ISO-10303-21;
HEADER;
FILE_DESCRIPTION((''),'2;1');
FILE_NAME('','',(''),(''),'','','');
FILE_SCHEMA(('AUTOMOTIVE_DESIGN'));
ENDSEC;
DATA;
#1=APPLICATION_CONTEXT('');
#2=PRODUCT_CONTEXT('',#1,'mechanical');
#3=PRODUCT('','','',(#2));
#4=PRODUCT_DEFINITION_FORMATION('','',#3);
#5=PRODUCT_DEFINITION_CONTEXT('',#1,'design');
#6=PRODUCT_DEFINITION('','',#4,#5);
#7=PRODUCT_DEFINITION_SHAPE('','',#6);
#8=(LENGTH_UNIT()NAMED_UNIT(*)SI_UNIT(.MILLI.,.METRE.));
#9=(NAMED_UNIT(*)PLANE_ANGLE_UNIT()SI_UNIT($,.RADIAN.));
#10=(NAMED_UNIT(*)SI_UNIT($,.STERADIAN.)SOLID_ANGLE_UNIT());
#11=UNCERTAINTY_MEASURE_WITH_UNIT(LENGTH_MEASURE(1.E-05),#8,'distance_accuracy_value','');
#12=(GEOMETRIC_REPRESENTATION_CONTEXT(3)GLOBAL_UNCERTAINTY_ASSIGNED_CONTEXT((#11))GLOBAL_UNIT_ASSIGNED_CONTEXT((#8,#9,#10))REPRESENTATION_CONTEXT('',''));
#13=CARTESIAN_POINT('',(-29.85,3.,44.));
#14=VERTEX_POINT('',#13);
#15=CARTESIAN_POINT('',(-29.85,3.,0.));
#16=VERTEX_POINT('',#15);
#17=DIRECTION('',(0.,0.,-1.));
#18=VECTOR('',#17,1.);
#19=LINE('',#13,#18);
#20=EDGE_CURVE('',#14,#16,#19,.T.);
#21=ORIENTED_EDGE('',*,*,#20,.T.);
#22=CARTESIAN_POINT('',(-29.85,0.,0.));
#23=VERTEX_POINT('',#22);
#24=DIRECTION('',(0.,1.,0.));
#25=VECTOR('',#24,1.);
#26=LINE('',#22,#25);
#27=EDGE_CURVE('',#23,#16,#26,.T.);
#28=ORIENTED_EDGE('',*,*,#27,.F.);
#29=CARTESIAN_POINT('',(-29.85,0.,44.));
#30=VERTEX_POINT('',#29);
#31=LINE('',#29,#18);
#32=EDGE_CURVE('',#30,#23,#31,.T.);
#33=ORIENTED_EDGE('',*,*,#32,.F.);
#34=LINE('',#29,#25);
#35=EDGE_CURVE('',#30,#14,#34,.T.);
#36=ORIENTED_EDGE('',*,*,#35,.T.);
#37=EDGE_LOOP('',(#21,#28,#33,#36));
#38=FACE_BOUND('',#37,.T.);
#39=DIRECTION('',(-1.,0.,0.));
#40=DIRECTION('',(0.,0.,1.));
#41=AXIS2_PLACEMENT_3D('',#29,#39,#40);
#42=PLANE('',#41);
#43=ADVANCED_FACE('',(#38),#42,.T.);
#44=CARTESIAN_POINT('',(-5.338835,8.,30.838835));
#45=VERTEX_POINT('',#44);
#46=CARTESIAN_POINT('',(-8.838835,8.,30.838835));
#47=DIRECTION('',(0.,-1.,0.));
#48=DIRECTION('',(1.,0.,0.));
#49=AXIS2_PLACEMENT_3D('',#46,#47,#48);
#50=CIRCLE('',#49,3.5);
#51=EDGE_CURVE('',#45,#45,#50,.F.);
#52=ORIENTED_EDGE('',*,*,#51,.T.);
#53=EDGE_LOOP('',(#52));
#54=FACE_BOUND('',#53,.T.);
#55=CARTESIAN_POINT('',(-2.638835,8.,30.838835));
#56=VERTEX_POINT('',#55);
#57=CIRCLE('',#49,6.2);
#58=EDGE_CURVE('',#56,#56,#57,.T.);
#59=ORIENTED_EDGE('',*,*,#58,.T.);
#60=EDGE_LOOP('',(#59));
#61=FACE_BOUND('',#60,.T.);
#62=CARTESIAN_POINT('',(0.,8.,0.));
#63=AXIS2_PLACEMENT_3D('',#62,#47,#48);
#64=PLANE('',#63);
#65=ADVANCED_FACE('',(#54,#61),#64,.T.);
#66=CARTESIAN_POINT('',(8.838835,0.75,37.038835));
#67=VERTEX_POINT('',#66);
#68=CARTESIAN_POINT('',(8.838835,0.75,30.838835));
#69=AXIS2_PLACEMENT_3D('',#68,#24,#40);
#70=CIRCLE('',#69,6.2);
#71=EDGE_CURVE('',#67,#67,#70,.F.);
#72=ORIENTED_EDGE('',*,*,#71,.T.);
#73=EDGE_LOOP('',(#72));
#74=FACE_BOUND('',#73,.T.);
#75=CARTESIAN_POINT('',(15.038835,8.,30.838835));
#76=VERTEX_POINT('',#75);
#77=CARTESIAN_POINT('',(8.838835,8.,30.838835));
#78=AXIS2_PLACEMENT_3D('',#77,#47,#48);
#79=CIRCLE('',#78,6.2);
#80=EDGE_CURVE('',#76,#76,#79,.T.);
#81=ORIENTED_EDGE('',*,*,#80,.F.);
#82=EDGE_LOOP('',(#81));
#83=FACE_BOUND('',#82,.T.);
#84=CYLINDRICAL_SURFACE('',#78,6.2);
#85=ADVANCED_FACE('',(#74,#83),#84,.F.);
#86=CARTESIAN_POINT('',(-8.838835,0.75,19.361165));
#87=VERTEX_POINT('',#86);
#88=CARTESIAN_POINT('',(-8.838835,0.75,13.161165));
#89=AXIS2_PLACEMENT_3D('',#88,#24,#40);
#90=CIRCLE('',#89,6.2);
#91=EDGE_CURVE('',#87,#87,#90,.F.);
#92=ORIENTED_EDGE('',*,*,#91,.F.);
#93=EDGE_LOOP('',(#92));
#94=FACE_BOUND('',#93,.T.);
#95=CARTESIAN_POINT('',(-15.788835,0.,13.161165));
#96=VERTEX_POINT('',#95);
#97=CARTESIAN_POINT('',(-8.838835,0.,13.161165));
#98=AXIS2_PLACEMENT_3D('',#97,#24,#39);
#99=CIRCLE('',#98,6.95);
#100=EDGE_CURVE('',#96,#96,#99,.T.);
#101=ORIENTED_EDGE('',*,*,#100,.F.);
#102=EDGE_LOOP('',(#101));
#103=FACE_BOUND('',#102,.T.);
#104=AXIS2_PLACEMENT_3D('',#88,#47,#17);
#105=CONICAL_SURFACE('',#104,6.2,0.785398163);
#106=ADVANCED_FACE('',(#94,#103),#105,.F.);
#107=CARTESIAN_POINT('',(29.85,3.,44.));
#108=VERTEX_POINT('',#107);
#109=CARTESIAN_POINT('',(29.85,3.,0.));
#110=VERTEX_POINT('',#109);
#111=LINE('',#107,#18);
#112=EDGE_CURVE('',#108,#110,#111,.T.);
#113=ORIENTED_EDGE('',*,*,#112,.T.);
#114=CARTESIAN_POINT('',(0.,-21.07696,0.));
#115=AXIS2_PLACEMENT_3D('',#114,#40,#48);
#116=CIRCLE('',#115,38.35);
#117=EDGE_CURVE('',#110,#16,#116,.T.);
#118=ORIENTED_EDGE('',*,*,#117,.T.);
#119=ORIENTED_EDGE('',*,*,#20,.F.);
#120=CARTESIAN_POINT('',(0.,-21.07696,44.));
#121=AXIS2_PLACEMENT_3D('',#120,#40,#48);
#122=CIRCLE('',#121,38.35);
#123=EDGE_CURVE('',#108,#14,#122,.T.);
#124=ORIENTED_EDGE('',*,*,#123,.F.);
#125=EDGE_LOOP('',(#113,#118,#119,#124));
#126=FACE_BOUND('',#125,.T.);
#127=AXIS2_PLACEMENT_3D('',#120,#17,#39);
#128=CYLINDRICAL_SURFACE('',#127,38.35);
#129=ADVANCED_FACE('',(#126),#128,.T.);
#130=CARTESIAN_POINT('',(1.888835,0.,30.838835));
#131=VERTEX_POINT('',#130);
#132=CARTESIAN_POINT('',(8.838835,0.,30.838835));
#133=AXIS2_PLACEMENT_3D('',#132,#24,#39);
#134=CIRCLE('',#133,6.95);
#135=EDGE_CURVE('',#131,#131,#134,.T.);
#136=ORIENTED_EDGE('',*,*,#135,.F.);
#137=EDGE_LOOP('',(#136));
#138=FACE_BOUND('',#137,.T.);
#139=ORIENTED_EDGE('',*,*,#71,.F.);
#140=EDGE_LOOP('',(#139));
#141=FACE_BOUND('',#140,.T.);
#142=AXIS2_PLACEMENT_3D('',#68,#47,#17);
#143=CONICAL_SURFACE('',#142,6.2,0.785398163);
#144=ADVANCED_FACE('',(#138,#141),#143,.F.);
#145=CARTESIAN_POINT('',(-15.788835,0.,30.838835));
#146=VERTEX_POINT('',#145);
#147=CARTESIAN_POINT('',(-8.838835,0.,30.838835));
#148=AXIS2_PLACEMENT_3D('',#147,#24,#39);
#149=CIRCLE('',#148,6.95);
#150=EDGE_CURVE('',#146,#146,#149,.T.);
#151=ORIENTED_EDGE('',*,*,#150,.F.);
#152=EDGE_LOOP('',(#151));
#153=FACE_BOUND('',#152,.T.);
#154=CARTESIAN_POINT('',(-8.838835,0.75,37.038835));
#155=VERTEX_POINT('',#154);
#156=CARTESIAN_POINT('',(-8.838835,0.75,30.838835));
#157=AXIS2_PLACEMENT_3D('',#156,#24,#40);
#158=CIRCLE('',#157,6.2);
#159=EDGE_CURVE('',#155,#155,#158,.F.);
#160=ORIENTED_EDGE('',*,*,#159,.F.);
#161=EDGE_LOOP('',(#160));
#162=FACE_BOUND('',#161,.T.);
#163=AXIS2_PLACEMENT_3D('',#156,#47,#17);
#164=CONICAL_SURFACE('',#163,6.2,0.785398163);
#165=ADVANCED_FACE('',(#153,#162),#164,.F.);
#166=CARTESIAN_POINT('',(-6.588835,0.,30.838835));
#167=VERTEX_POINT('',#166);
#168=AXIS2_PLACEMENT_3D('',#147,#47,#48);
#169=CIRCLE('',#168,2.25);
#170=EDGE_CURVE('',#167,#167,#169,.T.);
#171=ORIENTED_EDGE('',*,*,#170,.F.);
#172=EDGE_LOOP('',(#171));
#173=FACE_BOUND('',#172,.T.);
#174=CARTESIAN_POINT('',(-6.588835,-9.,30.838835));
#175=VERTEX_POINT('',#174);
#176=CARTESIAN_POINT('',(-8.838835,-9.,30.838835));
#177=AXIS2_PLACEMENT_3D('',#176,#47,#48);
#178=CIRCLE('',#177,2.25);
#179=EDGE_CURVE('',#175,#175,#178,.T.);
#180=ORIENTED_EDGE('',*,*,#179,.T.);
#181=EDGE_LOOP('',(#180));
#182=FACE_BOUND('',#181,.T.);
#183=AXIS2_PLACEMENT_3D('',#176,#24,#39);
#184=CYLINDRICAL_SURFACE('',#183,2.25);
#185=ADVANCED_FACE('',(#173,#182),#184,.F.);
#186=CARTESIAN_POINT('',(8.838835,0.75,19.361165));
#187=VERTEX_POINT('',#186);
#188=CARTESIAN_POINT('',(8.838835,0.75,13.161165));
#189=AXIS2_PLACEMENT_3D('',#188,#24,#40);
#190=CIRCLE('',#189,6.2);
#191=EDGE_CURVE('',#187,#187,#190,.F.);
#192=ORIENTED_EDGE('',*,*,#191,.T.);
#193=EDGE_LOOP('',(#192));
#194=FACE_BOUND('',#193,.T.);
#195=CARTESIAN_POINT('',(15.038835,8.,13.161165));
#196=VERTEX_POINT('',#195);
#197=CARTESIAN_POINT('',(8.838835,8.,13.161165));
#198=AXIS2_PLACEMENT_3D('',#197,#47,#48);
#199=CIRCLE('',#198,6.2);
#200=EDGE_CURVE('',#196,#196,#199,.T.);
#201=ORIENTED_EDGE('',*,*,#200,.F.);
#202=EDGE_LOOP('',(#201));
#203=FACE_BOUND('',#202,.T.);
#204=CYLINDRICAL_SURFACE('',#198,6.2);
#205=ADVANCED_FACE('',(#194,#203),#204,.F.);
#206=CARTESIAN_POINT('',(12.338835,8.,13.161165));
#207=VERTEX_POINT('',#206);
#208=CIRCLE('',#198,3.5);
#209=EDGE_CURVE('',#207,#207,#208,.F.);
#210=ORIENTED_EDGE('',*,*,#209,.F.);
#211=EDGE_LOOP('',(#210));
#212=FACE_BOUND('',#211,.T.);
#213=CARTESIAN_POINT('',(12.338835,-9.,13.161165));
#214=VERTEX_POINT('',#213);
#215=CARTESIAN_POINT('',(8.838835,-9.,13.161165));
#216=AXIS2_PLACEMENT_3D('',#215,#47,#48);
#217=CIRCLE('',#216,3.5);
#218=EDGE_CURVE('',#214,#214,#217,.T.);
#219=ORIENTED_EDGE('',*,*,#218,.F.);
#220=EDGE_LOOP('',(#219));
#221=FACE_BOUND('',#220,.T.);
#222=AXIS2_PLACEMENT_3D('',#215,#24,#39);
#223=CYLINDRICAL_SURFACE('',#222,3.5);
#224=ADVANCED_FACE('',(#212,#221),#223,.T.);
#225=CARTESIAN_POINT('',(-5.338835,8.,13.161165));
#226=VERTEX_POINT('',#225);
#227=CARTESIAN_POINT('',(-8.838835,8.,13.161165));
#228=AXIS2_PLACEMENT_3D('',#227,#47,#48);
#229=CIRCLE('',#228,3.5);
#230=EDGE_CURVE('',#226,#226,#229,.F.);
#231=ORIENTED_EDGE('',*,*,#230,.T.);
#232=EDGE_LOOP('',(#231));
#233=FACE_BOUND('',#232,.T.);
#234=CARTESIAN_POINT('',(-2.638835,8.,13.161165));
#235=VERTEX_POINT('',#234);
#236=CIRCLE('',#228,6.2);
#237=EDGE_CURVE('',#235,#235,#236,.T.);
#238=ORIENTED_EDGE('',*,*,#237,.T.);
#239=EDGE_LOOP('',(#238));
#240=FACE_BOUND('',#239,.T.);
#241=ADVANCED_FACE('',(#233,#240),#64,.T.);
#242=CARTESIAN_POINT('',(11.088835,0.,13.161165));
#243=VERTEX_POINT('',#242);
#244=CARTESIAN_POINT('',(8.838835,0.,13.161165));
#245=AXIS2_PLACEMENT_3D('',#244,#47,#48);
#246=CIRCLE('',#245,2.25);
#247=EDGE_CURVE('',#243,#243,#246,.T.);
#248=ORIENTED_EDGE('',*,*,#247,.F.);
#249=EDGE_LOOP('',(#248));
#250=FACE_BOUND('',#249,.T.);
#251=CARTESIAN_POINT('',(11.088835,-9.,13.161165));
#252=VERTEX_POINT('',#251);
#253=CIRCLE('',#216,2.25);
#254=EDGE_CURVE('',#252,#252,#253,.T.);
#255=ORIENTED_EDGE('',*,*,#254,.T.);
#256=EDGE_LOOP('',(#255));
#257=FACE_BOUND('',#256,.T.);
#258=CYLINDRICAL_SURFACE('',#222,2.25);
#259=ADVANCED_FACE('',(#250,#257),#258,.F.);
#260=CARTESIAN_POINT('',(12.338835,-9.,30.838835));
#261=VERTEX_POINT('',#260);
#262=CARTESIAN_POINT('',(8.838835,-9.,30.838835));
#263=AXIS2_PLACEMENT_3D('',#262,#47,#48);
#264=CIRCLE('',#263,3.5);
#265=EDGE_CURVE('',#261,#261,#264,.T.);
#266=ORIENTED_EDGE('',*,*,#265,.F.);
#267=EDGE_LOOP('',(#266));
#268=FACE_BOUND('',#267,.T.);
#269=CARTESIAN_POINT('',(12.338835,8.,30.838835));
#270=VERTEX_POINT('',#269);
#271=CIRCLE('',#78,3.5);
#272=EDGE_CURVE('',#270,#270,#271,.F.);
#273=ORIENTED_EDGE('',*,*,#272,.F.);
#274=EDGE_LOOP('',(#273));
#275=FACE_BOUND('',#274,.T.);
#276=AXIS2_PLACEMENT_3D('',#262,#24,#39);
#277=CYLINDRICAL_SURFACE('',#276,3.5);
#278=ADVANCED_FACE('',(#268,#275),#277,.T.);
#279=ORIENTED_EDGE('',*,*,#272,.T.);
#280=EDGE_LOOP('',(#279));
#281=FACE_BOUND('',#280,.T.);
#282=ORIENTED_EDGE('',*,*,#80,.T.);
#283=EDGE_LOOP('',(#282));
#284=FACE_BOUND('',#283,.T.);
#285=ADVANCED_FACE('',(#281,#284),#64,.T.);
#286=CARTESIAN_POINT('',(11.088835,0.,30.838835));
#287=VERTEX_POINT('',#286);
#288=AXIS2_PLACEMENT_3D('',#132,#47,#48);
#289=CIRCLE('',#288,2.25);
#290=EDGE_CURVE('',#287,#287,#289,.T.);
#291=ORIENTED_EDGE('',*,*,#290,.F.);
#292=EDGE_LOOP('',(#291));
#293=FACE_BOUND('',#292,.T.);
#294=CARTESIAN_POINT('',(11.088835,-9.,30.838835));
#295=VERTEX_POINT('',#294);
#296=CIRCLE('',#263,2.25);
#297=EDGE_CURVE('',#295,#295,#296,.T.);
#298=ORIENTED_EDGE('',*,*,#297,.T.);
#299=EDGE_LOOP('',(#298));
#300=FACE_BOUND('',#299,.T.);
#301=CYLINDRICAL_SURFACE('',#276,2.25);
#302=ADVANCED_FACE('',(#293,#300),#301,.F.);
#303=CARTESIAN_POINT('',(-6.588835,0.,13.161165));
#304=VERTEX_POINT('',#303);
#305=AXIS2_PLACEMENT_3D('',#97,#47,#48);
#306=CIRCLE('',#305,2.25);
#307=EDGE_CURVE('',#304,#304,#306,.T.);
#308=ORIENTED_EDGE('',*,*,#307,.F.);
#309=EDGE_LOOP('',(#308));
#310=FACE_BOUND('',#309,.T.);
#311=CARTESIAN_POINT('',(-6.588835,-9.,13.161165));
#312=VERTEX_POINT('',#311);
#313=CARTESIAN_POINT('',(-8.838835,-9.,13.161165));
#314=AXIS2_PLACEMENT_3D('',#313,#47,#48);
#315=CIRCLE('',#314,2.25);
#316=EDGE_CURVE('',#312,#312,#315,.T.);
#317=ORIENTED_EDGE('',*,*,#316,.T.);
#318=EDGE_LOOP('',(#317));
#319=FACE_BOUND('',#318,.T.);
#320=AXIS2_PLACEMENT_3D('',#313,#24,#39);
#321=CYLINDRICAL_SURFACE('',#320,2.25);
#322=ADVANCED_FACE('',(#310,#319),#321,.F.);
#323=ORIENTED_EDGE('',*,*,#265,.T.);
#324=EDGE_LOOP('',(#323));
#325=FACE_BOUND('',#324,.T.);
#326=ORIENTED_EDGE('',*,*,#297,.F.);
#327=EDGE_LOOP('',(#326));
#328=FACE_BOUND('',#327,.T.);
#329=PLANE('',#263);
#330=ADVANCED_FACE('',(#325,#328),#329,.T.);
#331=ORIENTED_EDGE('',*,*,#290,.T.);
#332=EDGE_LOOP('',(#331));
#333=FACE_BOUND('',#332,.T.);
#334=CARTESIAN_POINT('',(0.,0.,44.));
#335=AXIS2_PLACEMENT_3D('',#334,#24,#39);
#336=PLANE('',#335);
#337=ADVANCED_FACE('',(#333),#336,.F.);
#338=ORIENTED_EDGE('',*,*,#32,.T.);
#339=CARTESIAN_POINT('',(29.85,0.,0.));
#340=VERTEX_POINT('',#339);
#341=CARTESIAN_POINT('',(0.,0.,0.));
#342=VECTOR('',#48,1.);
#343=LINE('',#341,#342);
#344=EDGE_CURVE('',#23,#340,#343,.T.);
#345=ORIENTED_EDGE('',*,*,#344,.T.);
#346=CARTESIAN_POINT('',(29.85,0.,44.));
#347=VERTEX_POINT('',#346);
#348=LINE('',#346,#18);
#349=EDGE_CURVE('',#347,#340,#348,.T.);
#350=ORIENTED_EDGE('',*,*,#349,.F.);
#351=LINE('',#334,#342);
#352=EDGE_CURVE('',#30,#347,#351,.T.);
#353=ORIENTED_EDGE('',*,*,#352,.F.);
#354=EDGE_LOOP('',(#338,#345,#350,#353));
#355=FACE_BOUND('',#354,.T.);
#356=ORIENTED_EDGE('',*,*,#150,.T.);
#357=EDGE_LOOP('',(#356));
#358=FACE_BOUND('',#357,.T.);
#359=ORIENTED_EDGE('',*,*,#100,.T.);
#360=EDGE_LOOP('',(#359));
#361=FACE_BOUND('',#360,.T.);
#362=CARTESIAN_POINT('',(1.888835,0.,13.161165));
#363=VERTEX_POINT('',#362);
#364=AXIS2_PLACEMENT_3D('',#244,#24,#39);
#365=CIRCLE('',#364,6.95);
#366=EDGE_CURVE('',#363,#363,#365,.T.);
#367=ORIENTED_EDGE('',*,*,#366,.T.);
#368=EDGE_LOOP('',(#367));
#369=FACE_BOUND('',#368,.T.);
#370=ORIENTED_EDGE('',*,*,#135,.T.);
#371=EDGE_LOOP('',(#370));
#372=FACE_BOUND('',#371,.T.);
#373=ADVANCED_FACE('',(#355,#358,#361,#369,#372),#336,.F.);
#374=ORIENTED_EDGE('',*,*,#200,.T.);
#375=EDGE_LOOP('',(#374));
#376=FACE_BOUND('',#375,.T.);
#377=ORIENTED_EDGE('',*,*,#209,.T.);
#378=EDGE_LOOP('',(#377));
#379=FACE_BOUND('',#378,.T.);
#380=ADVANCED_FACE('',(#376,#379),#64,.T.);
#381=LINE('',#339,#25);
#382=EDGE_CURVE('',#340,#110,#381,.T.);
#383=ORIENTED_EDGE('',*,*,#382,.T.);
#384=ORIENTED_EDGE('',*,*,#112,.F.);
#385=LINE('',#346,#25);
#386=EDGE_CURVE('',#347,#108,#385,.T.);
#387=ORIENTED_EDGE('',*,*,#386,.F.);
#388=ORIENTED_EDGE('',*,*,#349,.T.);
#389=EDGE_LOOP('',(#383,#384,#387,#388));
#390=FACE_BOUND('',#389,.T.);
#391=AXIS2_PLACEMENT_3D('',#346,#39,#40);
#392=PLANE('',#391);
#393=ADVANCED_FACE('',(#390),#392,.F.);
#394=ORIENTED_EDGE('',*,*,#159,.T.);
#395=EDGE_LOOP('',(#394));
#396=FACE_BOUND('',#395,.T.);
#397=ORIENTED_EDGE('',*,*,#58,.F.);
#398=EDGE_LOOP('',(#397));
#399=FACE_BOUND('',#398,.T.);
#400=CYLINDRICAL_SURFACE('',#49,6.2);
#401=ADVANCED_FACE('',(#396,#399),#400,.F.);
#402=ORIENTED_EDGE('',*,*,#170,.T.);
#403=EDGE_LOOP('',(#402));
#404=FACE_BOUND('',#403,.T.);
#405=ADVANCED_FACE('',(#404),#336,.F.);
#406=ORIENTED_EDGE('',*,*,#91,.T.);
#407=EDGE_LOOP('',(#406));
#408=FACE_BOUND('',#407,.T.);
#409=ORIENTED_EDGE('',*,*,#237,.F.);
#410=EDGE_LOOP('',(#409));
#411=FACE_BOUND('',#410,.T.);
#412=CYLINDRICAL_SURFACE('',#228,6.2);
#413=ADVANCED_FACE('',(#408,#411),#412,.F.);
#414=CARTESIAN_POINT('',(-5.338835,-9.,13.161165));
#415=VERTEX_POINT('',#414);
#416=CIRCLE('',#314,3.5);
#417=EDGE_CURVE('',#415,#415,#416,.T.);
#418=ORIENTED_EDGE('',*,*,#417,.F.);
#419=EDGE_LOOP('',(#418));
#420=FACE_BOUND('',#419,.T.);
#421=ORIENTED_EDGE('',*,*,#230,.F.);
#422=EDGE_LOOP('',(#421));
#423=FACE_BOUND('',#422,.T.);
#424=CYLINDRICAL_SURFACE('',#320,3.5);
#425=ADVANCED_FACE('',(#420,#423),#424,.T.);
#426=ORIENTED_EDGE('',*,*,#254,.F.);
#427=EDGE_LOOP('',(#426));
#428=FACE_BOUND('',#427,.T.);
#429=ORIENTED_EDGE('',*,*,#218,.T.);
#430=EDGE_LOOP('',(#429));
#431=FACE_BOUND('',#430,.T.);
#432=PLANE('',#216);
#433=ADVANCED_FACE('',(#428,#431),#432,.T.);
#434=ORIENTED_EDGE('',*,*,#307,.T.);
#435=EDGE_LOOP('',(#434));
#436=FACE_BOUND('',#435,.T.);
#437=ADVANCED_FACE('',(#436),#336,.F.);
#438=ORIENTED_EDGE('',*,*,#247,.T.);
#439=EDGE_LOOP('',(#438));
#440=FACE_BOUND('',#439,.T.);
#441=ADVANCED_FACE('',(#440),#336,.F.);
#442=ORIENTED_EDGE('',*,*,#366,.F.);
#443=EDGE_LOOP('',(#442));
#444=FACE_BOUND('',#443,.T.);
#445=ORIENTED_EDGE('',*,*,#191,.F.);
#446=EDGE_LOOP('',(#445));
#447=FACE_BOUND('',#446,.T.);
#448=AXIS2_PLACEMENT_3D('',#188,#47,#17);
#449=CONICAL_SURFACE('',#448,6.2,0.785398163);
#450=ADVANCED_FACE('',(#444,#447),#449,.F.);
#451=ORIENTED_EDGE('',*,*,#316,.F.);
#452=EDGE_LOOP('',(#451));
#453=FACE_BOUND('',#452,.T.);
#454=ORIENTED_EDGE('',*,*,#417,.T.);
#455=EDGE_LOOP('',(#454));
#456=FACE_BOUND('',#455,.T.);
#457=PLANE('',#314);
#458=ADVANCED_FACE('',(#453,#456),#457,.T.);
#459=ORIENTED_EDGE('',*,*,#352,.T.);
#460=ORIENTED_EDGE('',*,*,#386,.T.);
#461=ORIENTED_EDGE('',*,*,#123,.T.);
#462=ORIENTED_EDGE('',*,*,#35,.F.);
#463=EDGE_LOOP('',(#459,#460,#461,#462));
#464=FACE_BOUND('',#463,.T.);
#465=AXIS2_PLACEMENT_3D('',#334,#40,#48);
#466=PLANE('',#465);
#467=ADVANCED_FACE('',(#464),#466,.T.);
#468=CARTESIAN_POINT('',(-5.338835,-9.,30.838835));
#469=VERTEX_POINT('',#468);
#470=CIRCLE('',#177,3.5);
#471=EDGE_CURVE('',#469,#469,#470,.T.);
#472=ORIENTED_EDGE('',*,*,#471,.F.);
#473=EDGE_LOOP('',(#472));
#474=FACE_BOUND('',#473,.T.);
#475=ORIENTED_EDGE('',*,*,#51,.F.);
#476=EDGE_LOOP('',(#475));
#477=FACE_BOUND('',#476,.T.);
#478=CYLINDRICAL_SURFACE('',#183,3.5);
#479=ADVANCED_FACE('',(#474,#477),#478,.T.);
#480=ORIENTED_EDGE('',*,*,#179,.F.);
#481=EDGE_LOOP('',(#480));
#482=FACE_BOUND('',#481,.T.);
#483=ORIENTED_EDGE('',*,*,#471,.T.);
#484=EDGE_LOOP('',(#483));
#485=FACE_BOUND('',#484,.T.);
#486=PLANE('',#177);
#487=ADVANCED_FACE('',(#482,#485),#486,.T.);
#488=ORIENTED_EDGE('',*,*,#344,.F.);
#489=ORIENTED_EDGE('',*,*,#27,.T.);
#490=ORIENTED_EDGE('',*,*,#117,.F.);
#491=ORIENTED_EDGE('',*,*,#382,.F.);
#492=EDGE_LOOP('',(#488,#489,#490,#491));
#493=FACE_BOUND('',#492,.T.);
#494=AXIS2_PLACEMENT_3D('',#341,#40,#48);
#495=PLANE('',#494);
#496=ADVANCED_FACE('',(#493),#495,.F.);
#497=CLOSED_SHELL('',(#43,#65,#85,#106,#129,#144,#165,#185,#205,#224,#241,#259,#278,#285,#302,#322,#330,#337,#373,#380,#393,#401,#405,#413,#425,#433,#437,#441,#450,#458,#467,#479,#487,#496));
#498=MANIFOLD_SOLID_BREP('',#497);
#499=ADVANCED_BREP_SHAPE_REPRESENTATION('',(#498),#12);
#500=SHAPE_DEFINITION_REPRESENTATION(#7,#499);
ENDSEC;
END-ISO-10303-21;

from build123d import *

# Parameters (mm, degrees)
SKETCH1_W           = 59.7
SKETCH1_H           = 3
BOSS_EXTRUDE1_DEPTH = 44
SKETCH2_R           = 3.5
SKETCH2_R_2         = 2.25
BOSS_EXTRUDE2_DEPTH = 9
CUT_EXTRUDE1_START  = -8
SKETCH3_R           = 6.2
SKETCH3_R_2         = 3.5
CUT_EXTRUDE1_DEPTH  = 8
CHAMFER1_SIZE       = 0.75


with BuildPart() as part:
    # Sketch1 → Boss-Extrude1 (new body)
    with BuildSketch(Plane.XY):
        with BuildLine():
            ThreePointArc((29.85, 3), (0, 17.273040059), (-29.85, 3))
            Line((-29.85, 3), (29.85, 3))
        make_face()
        with Locations((0, 1.5)):
            Rectangle(SKETCH1_W, SKETCH1_H)
    extrude(amount=BOSS_EXTRUDE1_DEPTH)

    # Sketch2 → Boss-Extrude2 (add)
    # profile 1 of 4: a face of its own
    with BuildSketch(Plane.XZ):
        with Locations(Location((8.838834765, 30.838834765, 0), (0, 0, 180))):
            Circle(SKETCH2_R)
        with Locations((8.838834765, 30.838834765)):
            Circle(SKETCH2_R_2, mode=Mode.SUBTRACT)
    # profile 2 of 4: a face of its own
    with BuildSketch(Plane.XZ):
        with Locations(Location((8.838834765, 13.161165235, 0), (0, 0, 180))):
            Circle(SKETCH2_R)
        with Locations((8.838834765, 13.161165235)):
            Circle(SKETCH2_R_2, mode=Mode.SUBTRACT)
    # profile 3 of 4: a face of its own
    with BuildSketch(Plane.XZ):
        with Locations(Location((-8.838834765, 13.161165235, 0), (0, 0, 180))):
            Circle(SKETCH2_R)
        with Locations((-8.838834765, 13.161165235)):
            Circle(SKETCH2_R_2, mode=Mode.SUBTRACT)
    # profile 4 of 4: a face of its own
    with BuildSketch(Plane.XZ):
        with Locations(Location((-8.838834765, 30.838834765, 0), (0, 0, 180))):
            Circle(SKETCH2_R)
        with Locations((-8.838834765, 30.838834765)):
            Circle(SKETCH2_R_2, mode=Mode.SUBTRACT)
    extrude(amount=BOSS_EXTRUDE2_DEPTH)

    # Sketch3 → Cut-Extrude1 (cut)
    # profile 1 of 4: a face of its own
    with BuildSketch(Plane.XZ.offset(CUT_EXTRUDE1_START)):
        with Locations((-8.838834765, 30.838834765)):
            Circle(SKETCH3_R)
        with Locations((-8.838834765, 30.838834765)):
            Circle(SKETCH3_R_2, mode=Mode.SUBTRACT)
    # profile 2 of 4: a face of its own
    with BuildSketch(Plane.XZ.offset(CUT_EXTRUDE1_START)):
        with Locations((8.838834765, 30.838834765)):
            Circle(SKETCH3_R)
        with Locations((8.838834765, 30.838834765)):
            Circle(SKETCH3_R_2, mode=Mode.SUBTRACT)
    # profile 3 of 4: a face of its own
    with BuildSketch(Plane.XZ.offset(CUT_EXTRUDE1_START)):
        with Locations((8.838834765, 13.161165235)):
            Circle(SKETCH3_R)
        with Locations((8.838834765, 13.161165235)):
            Circle(SKETCH3_R_2, mode=Mode.SUBTRACT)
    # profile 4 of 4: a face of its own
    with BuildSketch(Plane.XZ.offset(CUT_EXTRUDE1_START)):
        with Locations((-8.838834765, 13.161165235)):
            Circle(SKETCH3_R)
        with Locations((-8.838834765, 13.161165235)):
            Circle(SKETCH3_R_2, mode=Mode.SUBTRACT)
    extrude(amount=CUT_EXTRUDE1_DEPTH, mode=Mode.SUBTRACT)

    # Chamfer1
    chamfer1_edges = [part.edges().sort_by_distance(p)[0] for p in [
        (-15.038834765, 0, 13.161165235),
        (2.638834765, 0, 13.161165235),
        (2.638834765, 0, 30.838834765),
        (-15.038834765, 0, 30.838834765),
    ]]
    chamfer(chamfer1_edges, length=CHAMFER1_SIZE)


solid = part.part
